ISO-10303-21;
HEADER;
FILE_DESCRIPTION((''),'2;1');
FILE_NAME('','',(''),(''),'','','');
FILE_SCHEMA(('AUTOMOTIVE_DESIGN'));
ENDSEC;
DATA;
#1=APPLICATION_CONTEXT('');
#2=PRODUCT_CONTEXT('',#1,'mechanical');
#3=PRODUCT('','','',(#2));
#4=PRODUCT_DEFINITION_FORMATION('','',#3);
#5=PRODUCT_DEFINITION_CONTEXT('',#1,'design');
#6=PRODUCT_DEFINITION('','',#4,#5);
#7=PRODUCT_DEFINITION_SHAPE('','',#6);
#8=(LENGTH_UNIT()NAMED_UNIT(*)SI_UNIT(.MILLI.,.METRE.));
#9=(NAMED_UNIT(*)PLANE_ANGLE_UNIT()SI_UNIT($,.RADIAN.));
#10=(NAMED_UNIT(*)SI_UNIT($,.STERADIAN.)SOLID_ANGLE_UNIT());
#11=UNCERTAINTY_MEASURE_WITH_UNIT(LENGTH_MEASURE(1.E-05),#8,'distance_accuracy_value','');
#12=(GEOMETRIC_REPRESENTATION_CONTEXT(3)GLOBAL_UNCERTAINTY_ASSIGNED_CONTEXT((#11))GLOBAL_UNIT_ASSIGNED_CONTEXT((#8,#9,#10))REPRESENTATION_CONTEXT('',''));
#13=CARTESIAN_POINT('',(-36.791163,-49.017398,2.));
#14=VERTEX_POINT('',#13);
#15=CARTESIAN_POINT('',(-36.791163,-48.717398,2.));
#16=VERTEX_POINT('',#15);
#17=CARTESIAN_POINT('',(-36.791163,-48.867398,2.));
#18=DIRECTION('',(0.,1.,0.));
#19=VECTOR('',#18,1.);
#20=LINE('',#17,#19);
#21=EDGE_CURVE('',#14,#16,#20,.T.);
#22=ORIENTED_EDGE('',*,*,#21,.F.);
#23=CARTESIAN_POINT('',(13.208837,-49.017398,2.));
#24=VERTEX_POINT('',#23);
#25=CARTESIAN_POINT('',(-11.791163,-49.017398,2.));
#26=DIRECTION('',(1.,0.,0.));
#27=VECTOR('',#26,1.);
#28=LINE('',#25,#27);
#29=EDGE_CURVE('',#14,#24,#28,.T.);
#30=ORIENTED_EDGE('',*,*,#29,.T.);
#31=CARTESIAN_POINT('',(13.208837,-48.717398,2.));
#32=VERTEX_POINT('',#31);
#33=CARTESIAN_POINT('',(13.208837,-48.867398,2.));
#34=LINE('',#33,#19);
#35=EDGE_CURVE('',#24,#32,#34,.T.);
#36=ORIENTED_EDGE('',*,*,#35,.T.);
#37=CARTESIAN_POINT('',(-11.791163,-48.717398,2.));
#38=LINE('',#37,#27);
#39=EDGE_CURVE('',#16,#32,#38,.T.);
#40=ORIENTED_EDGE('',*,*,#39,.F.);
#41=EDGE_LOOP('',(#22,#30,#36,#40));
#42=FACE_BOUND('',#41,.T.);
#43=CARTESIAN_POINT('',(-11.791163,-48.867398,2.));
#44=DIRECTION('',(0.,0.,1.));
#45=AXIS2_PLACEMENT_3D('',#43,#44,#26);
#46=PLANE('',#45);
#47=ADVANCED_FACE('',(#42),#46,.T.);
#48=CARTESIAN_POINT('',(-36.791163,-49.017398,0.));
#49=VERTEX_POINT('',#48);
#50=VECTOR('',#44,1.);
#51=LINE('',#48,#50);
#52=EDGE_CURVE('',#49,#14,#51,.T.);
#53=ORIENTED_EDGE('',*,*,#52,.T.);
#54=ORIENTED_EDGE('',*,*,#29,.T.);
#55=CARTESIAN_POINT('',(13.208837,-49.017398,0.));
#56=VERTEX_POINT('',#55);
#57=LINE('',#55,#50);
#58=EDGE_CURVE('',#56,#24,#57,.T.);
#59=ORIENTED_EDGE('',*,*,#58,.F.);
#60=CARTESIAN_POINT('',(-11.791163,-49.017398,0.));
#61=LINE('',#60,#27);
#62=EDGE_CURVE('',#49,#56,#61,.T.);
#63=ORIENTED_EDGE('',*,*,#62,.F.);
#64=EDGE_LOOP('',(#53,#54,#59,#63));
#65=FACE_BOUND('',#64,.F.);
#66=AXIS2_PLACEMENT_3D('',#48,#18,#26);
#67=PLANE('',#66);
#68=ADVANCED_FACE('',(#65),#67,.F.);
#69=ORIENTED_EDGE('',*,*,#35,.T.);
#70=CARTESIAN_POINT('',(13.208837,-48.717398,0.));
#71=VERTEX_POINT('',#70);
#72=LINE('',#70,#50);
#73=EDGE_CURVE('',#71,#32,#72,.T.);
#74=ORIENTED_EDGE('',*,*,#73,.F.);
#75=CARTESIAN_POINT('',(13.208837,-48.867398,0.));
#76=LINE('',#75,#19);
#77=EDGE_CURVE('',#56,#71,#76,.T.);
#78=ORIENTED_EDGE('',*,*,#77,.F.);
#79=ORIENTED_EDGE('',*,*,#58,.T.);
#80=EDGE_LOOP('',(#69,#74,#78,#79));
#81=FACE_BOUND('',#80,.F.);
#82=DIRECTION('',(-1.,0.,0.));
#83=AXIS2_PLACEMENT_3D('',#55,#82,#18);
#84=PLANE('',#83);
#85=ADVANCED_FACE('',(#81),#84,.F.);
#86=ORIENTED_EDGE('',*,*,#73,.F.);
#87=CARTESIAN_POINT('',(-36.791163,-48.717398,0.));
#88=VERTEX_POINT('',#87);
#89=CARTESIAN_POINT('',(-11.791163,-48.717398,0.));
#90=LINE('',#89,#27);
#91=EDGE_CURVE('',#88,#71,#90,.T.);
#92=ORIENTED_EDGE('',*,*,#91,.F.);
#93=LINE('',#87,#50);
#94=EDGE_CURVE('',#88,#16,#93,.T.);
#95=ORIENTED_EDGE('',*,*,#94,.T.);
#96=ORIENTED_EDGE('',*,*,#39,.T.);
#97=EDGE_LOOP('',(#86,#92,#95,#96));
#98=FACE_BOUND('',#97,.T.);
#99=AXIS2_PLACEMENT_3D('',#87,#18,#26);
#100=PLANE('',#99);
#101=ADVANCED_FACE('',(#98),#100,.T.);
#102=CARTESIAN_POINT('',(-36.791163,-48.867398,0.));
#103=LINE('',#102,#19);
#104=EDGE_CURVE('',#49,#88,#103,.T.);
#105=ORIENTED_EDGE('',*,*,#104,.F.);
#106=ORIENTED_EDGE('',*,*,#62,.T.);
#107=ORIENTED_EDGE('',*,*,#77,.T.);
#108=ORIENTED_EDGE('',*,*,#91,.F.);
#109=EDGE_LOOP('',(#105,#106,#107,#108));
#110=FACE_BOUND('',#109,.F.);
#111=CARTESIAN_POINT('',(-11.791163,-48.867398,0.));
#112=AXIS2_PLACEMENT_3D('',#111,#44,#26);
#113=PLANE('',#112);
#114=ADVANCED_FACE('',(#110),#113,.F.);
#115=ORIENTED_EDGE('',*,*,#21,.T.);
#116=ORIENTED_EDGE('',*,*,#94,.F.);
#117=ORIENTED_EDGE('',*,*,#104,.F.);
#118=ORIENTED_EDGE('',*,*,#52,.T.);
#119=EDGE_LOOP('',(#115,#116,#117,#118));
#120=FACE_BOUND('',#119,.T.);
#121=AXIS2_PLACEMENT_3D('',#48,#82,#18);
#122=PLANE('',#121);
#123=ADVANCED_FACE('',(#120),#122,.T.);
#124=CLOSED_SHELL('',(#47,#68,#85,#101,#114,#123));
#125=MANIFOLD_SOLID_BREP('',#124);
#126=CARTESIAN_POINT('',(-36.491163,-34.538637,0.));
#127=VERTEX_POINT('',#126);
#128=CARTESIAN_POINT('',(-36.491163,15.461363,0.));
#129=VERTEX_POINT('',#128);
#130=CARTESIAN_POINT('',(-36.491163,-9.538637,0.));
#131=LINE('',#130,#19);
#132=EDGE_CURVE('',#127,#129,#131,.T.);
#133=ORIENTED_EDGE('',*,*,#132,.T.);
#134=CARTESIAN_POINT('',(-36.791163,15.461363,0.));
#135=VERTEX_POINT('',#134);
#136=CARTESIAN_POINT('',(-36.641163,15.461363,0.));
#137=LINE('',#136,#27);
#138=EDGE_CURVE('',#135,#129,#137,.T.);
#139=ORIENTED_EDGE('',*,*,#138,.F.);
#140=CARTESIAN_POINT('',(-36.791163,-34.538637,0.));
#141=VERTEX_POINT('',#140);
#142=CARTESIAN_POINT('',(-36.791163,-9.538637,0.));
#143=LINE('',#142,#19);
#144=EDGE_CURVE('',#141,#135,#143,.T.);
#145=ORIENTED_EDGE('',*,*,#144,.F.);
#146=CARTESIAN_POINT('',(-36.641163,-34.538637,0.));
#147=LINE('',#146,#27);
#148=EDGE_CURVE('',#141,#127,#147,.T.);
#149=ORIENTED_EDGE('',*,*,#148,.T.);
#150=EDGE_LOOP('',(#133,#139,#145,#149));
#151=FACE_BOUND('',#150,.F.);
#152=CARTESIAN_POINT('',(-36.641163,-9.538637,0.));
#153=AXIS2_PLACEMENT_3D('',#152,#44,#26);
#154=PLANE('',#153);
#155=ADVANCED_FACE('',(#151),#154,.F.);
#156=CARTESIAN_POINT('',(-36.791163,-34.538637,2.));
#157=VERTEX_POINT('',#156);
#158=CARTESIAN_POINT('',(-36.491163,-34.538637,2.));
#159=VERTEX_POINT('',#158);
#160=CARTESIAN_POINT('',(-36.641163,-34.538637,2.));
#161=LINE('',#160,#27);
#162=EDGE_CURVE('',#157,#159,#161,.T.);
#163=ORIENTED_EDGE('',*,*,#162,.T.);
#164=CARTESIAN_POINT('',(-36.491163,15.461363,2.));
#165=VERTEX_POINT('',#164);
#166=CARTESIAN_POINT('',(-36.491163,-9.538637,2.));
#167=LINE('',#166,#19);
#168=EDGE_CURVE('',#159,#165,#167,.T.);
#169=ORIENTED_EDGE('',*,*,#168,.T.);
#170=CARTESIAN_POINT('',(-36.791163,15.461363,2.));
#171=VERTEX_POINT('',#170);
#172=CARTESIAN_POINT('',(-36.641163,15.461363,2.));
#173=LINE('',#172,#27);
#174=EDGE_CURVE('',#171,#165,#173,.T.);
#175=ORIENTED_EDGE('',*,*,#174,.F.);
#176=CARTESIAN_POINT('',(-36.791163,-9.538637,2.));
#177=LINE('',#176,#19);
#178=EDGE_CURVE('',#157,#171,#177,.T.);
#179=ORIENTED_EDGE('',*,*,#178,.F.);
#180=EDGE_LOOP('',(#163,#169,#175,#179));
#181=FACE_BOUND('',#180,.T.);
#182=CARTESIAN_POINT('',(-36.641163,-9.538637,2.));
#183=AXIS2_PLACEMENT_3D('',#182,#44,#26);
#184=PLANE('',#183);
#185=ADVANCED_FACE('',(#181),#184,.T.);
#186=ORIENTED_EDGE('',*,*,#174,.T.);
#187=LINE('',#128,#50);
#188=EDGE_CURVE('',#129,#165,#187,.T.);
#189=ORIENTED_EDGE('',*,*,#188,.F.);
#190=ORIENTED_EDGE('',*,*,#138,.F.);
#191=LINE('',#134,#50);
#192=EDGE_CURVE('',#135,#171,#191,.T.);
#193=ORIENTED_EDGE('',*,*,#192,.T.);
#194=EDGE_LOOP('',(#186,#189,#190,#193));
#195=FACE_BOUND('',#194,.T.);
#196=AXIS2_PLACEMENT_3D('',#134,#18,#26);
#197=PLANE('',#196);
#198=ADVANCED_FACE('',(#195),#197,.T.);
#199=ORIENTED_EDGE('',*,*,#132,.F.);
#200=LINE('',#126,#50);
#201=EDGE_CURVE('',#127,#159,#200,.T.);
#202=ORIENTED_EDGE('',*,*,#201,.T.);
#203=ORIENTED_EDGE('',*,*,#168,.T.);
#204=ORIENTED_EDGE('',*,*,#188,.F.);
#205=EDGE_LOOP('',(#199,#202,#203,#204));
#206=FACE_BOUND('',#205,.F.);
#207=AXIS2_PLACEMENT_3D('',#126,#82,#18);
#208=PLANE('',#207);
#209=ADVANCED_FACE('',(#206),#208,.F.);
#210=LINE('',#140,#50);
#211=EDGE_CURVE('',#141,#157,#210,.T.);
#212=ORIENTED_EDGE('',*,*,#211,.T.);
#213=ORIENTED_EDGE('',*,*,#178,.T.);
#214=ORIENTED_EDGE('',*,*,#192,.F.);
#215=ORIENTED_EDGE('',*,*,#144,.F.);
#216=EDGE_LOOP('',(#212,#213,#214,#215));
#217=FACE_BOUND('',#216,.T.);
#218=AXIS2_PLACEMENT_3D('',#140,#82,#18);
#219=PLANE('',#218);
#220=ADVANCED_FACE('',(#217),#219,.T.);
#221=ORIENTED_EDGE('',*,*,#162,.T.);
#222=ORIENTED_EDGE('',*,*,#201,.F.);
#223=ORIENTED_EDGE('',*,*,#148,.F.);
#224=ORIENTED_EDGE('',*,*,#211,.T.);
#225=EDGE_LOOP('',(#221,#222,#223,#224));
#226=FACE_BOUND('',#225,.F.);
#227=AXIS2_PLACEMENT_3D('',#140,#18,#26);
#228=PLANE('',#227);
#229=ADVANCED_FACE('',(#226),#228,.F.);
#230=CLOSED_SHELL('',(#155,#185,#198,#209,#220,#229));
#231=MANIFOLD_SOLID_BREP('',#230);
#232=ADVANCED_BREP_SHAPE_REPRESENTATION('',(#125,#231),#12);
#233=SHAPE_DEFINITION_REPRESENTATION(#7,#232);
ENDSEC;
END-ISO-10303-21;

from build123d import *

# Parameters (mm, degrees)
F0_W     = 50
F0_H     = 0.3
F0_W_2   = 0.3
F0_H_2   = 50
F1_DEPTH = 2


with BuildPart() as f1:
    # F0 (on Top) → F1 (new body)
    with BuildSketch(Plane.XY):
        with Locations((-11.791163, -48.867398)):
            Rectangle(F0_W, F0_H)
        with Locations((-36.641163, -9.538637)):
            Rectangle(F0_W_2, F0_H_2)
    extrude(amount=F1_DEPTH)


solid = f1.part
